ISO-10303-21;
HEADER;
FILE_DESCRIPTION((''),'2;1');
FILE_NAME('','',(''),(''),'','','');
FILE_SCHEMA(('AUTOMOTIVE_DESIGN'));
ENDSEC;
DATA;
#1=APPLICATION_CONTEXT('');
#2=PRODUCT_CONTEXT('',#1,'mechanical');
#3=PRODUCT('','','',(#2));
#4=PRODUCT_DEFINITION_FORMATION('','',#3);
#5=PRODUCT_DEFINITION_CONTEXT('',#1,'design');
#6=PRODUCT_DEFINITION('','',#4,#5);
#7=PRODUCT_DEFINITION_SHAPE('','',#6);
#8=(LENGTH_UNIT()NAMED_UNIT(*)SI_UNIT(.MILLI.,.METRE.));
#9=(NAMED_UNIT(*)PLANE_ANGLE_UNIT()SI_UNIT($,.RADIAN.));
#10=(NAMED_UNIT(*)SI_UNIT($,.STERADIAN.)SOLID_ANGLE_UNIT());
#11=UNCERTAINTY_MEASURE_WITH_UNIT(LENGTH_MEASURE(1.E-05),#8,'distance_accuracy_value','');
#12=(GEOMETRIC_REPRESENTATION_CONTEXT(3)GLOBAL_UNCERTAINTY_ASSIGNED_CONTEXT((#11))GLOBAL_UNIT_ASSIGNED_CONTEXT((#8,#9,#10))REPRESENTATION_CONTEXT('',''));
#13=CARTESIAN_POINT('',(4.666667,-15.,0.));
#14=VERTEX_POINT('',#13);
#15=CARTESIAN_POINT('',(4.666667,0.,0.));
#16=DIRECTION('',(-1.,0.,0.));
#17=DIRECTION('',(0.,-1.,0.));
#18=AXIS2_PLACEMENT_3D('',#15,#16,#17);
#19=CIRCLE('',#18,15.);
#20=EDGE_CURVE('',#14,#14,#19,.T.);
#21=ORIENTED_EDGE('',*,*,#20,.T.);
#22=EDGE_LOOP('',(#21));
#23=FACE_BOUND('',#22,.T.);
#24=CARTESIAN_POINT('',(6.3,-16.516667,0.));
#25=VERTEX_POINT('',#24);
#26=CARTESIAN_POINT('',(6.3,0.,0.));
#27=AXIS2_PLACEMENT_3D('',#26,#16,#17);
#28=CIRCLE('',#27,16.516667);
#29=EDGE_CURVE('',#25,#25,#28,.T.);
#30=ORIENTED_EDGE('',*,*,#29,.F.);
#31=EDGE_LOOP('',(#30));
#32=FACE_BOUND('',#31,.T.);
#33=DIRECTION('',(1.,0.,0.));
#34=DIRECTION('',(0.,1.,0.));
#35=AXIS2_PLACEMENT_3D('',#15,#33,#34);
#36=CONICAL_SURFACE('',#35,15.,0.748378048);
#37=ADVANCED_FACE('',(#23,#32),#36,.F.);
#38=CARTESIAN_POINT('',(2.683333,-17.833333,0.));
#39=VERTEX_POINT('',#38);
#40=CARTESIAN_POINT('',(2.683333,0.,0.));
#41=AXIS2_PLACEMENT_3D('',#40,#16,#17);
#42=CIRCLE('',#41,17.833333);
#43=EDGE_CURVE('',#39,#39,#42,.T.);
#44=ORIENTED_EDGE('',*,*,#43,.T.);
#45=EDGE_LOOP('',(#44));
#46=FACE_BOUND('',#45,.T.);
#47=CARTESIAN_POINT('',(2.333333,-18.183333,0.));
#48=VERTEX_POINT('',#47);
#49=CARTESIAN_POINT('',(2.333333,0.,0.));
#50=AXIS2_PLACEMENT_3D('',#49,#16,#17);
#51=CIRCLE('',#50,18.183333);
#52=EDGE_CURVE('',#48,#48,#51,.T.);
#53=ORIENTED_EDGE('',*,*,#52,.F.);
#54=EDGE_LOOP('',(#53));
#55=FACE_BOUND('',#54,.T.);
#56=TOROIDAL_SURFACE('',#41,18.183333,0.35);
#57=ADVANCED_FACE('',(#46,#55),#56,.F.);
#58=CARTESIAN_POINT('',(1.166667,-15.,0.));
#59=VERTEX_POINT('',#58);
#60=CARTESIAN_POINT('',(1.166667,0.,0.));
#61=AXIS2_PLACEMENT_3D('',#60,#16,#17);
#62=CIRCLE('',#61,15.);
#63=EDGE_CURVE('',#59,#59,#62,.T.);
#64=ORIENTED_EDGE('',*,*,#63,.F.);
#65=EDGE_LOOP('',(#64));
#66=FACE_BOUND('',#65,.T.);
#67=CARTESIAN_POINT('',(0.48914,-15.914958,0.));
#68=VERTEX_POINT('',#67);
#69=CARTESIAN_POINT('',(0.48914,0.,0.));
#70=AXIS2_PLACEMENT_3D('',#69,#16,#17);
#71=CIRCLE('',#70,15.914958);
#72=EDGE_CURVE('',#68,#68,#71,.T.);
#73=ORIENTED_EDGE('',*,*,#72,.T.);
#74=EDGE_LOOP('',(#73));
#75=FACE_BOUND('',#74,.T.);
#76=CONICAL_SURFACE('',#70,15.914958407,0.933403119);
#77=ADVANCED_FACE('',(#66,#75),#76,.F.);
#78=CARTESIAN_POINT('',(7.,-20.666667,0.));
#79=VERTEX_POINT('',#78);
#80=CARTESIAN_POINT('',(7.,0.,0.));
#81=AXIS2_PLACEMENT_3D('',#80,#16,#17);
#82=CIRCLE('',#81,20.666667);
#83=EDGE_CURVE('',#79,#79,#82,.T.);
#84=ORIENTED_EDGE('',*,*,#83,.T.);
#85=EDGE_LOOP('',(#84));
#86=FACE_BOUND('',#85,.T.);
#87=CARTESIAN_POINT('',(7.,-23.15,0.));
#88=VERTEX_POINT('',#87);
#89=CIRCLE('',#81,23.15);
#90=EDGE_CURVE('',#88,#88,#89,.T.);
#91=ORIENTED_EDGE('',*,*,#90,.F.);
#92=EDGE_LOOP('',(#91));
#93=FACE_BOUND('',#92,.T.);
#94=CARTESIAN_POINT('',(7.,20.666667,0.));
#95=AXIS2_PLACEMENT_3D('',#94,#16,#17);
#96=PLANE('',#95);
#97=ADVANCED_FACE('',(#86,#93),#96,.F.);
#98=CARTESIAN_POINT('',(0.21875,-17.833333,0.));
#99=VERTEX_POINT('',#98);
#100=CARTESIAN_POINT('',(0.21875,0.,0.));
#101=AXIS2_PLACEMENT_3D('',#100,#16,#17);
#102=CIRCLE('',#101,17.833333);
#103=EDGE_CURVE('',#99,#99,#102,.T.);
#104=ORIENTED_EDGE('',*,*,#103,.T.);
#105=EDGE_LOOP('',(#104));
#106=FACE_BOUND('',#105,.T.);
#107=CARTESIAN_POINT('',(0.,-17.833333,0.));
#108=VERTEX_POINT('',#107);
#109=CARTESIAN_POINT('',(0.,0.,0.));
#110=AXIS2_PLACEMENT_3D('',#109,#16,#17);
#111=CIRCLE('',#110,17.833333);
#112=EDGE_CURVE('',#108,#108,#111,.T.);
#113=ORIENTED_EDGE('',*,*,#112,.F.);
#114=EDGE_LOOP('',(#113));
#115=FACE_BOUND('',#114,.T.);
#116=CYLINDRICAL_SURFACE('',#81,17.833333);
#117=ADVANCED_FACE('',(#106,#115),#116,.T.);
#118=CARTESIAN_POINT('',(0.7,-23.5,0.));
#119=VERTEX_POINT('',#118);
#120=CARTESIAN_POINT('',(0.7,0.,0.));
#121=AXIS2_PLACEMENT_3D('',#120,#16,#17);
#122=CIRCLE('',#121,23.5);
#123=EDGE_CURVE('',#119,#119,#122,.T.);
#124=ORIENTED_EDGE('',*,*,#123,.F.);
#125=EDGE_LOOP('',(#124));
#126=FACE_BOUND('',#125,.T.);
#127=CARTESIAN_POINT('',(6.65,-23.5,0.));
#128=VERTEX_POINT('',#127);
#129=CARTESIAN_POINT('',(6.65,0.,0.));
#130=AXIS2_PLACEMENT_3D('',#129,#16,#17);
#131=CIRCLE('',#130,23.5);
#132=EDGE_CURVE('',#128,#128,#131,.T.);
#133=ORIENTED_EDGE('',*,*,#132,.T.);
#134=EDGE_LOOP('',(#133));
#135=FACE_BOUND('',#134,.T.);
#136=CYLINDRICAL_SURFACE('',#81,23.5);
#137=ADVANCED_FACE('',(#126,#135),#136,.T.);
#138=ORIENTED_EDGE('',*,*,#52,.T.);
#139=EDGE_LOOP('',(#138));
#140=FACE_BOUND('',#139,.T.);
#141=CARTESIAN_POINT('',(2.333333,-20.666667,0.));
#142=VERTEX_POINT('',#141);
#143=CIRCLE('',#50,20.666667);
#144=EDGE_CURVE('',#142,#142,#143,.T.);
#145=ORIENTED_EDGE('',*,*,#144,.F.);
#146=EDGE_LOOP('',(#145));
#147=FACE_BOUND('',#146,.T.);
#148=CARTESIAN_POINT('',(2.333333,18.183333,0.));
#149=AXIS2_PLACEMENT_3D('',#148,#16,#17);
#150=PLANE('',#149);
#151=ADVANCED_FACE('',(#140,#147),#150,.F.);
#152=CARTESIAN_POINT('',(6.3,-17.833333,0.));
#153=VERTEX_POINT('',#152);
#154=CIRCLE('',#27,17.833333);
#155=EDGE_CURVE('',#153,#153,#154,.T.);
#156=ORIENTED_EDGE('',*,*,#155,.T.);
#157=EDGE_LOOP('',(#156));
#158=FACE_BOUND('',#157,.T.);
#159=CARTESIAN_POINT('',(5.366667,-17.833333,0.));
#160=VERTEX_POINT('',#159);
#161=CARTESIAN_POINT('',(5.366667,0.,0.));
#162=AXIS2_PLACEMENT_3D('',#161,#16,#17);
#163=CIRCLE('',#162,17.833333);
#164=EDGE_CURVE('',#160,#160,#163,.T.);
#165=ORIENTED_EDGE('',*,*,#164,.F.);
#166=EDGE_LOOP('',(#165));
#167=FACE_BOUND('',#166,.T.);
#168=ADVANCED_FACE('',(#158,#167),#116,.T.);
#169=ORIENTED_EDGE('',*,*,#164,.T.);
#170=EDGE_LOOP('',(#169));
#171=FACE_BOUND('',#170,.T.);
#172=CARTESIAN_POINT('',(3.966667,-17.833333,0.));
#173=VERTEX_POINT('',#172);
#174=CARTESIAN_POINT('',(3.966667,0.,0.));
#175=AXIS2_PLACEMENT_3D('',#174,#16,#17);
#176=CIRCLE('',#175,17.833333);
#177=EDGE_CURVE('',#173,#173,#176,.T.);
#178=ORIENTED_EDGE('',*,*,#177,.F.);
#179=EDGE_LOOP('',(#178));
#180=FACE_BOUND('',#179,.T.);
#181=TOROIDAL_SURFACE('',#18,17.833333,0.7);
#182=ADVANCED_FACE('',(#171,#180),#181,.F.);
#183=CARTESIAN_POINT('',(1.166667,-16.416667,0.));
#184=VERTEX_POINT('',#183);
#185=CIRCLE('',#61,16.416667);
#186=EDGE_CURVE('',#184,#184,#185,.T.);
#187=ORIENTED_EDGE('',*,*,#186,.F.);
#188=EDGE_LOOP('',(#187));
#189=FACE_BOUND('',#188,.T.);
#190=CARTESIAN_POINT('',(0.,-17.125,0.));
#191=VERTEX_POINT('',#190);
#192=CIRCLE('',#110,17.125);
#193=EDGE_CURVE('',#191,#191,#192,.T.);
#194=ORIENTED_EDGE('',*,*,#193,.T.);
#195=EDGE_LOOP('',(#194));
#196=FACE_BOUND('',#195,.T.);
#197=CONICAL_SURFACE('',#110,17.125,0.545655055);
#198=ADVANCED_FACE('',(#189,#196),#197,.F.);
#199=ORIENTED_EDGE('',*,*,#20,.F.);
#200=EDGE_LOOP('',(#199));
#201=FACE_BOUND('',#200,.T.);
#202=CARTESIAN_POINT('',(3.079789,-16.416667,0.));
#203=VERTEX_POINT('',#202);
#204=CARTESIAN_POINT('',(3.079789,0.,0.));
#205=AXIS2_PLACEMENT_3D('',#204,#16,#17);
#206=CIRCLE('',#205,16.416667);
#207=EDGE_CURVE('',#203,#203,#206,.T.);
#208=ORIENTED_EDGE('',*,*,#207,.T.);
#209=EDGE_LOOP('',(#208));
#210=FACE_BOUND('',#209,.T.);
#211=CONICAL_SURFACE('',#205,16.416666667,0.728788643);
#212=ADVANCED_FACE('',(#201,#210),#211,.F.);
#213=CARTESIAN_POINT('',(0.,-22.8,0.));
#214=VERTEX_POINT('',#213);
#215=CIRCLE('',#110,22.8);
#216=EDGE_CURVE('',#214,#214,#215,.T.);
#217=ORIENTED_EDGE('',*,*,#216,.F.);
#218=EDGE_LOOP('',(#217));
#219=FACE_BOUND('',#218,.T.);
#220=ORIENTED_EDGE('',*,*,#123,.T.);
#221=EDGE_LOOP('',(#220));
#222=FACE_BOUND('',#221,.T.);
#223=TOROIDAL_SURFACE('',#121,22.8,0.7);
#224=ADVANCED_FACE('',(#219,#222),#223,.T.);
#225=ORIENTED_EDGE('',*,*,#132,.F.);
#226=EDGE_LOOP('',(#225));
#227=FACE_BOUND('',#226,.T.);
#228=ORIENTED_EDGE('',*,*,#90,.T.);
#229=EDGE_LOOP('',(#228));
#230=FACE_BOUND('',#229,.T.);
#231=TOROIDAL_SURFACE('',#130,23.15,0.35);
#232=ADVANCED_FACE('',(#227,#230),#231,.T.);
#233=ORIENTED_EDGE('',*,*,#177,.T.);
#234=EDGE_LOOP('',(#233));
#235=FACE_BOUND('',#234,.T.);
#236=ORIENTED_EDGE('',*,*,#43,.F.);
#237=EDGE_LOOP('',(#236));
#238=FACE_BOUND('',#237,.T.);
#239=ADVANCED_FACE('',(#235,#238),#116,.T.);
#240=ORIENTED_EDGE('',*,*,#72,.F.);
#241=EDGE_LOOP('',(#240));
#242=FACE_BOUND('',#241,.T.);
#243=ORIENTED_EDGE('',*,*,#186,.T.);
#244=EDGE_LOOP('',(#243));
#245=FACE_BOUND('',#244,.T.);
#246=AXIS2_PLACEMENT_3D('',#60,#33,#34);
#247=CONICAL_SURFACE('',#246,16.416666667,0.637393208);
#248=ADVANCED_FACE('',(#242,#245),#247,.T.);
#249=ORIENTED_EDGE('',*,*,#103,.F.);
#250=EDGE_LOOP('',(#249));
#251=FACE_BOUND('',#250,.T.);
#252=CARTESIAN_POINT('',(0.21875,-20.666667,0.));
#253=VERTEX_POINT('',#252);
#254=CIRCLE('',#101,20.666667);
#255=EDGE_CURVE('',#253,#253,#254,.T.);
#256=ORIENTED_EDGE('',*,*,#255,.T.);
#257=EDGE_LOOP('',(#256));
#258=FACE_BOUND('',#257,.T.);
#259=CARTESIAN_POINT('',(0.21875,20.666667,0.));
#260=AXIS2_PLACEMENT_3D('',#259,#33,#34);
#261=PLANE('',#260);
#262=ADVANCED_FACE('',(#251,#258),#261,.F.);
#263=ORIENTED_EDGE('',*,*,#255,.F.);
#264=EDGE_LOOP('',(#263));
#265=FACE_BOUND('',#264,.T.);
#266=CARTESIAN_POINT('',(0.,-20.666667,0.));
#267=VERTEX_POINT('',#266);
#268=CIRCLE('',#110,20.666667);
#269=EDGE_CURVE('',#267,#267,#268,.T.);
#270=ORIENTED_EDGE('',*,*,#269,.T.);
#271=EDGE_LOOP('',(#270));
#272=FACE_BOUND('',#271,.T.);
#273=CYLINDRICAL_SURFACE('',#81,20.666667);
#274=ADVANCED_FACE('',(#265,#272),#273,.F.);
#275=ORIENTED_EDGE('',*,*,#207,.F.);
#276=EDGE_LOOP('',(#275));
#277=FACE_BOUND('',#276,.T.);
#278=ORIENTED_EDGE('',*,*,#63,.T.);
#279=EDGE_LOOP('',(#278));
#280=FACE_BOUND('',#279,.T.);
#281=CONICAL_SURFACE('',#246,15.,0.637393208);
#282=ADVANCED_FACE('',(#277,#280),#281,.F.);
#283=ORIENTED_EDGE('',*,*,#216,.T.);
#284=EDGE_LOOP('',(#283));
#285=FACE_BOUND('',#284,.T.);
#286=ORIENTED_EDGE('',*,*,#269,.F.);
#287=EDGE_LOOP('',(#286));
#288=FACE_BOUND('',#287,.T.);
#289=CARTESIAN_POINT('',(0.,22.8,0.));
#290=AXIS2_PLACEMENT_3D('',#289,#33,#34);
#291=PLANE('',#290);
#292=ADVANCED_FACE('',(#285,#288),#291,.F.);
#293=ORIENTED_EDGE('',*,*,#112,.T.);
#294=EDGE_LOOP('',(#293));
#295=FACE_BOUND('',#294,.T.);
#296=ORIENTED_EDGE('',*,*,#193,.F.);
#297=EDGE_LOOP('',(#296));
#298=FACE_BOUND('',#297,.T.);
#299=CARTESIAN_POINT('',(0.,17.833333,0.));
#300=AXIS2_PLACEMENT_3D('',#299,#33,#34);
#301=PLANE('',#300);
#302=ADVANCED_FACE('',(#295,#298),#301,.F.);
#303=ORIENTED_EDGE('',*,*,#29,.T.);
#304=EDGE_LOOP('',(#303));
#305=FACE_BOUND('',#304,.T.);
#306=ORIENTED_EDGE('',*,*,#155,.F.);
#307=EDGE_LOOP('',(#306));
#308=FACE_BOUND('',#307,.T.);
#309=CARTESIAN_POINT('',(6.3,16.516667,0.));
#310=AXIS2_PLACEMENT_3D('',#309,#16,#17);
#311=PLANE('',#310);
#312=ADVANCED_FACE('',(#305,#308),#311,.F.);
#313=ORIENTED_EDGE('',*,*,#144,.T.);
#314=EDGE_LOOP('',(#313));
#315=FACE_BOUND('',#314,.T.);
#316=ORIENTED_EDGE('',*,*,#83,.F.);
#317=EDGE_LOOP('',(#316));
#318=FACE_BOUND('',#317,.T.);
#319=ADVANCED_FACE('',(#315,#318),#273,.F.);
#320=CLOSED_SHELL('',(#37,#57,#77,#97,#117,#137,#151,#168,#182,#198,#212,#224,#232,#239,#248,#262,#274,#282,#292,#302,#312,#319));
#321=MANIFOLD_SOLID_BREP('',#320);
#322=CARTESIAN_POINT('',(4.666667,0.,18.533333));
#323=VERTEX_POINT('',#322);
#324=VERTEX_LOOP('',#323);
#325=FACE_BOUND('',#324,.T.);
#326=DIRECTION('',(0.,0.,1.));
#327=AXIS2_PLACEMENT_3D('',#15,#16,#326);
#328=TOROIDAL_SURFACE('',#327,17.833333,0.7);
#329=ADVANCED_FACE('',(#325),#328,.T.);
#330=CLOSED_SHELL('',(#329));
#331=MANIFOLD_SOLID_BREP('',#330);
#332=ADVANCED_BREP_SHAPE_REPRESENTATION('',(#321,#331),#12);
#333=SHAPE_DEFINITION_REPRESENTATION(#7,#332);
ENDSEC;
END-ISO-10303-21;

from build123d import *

# Parameters (mm, degrees)
SKETCH2_R = 0.7


with BuildPart() as part:
    # Sketch1 → Revolve1 (revolve)
    with BuildSketch(Plane.XY, mode=Mode.PRIVATE) as revolve1_sk:
        with BuildLine():
            Line((0, 20.666666667), (0.21875, 20.666666667))
            Line((0.21875, 20.666666667), (0.21875, 17.833333333))
            Line((0.21875, 17.833333333), (0, 17.833333333))
            Line((0, 17.833333333), (0, 17.125))
            Line((0, 17.125), (1.166666667, 16.416666667))
            Line((1.166666667, 16.416666667), (0.489140143, 15.914958407))
            Line((0.489140143, 15.914958407), (1.166666667, 15))
            Line((1.166666667, 15), (3.07978893, 16.416666667))
            Line((3.07978893, 16.416666667), (4.666666667, 15))
            Line((4.666666667, 15), (6.3, 16.516666667))
            Line((6.3, 16.516666667), (6.3, 17.833333333))
            Line((6.3, 17.833333333), (5.366666667, 17.833333333))
            ThreePointArc((5.366666667, 17.833333333), (4.666666667, 17.133333333), (3.966666667, 17.833333333))
            Line((3.966666667, 17.833333333), (2.683333333, 17.833333333))
            ThreePointArc((2.683333333, 17.833333333), (2.43584596, 17.93584596), (2.333333333, 18.183333333))
            Line((2.333333333, 18.183333333), (2.333333333, 20.666666667))
            Line((2.333333333, 20.666666667), (7, 20.666666667))
            Line((7, 20.666666667), (7, 23.15))
            ThreePointArc((7, 23.15), (6.897487373, 23.397487373), (6.65, 23.5))
            Line((6.65, 23.5), (0.7, 23.5))
            ThreePointArc((0.7, 23.5), (0.205025253, 23.294974747), (0, 22.8))
            Line((0, 22.8), (0, 20.666666667))
        make_face()
    revolve(revolve1_sk.sketch.rotate(Axis((7, 0, 0), (-1, 0, 0)), 180), axis=Axis((7, 0, 0), (-1, 0, 0)))


with BuildPart() as body_2:
    # Sketch2 → Revolve2 (revolve)
    with BuildSketch(Plane.XY, mode=Mode.PRIVATE) as revolve2_sk:
        with Locations((4.666666667, 17.833333333)):
            Circle(SKETCH2_R)
    revolve(revolve2_sk.sketch.rotate(Axis((0, 0, 0), (1, 0, 0)), 90), axis=Axis((0, 0, 0), (1, 0, 0)))


solid = Compound([part.part, body_2.part])
